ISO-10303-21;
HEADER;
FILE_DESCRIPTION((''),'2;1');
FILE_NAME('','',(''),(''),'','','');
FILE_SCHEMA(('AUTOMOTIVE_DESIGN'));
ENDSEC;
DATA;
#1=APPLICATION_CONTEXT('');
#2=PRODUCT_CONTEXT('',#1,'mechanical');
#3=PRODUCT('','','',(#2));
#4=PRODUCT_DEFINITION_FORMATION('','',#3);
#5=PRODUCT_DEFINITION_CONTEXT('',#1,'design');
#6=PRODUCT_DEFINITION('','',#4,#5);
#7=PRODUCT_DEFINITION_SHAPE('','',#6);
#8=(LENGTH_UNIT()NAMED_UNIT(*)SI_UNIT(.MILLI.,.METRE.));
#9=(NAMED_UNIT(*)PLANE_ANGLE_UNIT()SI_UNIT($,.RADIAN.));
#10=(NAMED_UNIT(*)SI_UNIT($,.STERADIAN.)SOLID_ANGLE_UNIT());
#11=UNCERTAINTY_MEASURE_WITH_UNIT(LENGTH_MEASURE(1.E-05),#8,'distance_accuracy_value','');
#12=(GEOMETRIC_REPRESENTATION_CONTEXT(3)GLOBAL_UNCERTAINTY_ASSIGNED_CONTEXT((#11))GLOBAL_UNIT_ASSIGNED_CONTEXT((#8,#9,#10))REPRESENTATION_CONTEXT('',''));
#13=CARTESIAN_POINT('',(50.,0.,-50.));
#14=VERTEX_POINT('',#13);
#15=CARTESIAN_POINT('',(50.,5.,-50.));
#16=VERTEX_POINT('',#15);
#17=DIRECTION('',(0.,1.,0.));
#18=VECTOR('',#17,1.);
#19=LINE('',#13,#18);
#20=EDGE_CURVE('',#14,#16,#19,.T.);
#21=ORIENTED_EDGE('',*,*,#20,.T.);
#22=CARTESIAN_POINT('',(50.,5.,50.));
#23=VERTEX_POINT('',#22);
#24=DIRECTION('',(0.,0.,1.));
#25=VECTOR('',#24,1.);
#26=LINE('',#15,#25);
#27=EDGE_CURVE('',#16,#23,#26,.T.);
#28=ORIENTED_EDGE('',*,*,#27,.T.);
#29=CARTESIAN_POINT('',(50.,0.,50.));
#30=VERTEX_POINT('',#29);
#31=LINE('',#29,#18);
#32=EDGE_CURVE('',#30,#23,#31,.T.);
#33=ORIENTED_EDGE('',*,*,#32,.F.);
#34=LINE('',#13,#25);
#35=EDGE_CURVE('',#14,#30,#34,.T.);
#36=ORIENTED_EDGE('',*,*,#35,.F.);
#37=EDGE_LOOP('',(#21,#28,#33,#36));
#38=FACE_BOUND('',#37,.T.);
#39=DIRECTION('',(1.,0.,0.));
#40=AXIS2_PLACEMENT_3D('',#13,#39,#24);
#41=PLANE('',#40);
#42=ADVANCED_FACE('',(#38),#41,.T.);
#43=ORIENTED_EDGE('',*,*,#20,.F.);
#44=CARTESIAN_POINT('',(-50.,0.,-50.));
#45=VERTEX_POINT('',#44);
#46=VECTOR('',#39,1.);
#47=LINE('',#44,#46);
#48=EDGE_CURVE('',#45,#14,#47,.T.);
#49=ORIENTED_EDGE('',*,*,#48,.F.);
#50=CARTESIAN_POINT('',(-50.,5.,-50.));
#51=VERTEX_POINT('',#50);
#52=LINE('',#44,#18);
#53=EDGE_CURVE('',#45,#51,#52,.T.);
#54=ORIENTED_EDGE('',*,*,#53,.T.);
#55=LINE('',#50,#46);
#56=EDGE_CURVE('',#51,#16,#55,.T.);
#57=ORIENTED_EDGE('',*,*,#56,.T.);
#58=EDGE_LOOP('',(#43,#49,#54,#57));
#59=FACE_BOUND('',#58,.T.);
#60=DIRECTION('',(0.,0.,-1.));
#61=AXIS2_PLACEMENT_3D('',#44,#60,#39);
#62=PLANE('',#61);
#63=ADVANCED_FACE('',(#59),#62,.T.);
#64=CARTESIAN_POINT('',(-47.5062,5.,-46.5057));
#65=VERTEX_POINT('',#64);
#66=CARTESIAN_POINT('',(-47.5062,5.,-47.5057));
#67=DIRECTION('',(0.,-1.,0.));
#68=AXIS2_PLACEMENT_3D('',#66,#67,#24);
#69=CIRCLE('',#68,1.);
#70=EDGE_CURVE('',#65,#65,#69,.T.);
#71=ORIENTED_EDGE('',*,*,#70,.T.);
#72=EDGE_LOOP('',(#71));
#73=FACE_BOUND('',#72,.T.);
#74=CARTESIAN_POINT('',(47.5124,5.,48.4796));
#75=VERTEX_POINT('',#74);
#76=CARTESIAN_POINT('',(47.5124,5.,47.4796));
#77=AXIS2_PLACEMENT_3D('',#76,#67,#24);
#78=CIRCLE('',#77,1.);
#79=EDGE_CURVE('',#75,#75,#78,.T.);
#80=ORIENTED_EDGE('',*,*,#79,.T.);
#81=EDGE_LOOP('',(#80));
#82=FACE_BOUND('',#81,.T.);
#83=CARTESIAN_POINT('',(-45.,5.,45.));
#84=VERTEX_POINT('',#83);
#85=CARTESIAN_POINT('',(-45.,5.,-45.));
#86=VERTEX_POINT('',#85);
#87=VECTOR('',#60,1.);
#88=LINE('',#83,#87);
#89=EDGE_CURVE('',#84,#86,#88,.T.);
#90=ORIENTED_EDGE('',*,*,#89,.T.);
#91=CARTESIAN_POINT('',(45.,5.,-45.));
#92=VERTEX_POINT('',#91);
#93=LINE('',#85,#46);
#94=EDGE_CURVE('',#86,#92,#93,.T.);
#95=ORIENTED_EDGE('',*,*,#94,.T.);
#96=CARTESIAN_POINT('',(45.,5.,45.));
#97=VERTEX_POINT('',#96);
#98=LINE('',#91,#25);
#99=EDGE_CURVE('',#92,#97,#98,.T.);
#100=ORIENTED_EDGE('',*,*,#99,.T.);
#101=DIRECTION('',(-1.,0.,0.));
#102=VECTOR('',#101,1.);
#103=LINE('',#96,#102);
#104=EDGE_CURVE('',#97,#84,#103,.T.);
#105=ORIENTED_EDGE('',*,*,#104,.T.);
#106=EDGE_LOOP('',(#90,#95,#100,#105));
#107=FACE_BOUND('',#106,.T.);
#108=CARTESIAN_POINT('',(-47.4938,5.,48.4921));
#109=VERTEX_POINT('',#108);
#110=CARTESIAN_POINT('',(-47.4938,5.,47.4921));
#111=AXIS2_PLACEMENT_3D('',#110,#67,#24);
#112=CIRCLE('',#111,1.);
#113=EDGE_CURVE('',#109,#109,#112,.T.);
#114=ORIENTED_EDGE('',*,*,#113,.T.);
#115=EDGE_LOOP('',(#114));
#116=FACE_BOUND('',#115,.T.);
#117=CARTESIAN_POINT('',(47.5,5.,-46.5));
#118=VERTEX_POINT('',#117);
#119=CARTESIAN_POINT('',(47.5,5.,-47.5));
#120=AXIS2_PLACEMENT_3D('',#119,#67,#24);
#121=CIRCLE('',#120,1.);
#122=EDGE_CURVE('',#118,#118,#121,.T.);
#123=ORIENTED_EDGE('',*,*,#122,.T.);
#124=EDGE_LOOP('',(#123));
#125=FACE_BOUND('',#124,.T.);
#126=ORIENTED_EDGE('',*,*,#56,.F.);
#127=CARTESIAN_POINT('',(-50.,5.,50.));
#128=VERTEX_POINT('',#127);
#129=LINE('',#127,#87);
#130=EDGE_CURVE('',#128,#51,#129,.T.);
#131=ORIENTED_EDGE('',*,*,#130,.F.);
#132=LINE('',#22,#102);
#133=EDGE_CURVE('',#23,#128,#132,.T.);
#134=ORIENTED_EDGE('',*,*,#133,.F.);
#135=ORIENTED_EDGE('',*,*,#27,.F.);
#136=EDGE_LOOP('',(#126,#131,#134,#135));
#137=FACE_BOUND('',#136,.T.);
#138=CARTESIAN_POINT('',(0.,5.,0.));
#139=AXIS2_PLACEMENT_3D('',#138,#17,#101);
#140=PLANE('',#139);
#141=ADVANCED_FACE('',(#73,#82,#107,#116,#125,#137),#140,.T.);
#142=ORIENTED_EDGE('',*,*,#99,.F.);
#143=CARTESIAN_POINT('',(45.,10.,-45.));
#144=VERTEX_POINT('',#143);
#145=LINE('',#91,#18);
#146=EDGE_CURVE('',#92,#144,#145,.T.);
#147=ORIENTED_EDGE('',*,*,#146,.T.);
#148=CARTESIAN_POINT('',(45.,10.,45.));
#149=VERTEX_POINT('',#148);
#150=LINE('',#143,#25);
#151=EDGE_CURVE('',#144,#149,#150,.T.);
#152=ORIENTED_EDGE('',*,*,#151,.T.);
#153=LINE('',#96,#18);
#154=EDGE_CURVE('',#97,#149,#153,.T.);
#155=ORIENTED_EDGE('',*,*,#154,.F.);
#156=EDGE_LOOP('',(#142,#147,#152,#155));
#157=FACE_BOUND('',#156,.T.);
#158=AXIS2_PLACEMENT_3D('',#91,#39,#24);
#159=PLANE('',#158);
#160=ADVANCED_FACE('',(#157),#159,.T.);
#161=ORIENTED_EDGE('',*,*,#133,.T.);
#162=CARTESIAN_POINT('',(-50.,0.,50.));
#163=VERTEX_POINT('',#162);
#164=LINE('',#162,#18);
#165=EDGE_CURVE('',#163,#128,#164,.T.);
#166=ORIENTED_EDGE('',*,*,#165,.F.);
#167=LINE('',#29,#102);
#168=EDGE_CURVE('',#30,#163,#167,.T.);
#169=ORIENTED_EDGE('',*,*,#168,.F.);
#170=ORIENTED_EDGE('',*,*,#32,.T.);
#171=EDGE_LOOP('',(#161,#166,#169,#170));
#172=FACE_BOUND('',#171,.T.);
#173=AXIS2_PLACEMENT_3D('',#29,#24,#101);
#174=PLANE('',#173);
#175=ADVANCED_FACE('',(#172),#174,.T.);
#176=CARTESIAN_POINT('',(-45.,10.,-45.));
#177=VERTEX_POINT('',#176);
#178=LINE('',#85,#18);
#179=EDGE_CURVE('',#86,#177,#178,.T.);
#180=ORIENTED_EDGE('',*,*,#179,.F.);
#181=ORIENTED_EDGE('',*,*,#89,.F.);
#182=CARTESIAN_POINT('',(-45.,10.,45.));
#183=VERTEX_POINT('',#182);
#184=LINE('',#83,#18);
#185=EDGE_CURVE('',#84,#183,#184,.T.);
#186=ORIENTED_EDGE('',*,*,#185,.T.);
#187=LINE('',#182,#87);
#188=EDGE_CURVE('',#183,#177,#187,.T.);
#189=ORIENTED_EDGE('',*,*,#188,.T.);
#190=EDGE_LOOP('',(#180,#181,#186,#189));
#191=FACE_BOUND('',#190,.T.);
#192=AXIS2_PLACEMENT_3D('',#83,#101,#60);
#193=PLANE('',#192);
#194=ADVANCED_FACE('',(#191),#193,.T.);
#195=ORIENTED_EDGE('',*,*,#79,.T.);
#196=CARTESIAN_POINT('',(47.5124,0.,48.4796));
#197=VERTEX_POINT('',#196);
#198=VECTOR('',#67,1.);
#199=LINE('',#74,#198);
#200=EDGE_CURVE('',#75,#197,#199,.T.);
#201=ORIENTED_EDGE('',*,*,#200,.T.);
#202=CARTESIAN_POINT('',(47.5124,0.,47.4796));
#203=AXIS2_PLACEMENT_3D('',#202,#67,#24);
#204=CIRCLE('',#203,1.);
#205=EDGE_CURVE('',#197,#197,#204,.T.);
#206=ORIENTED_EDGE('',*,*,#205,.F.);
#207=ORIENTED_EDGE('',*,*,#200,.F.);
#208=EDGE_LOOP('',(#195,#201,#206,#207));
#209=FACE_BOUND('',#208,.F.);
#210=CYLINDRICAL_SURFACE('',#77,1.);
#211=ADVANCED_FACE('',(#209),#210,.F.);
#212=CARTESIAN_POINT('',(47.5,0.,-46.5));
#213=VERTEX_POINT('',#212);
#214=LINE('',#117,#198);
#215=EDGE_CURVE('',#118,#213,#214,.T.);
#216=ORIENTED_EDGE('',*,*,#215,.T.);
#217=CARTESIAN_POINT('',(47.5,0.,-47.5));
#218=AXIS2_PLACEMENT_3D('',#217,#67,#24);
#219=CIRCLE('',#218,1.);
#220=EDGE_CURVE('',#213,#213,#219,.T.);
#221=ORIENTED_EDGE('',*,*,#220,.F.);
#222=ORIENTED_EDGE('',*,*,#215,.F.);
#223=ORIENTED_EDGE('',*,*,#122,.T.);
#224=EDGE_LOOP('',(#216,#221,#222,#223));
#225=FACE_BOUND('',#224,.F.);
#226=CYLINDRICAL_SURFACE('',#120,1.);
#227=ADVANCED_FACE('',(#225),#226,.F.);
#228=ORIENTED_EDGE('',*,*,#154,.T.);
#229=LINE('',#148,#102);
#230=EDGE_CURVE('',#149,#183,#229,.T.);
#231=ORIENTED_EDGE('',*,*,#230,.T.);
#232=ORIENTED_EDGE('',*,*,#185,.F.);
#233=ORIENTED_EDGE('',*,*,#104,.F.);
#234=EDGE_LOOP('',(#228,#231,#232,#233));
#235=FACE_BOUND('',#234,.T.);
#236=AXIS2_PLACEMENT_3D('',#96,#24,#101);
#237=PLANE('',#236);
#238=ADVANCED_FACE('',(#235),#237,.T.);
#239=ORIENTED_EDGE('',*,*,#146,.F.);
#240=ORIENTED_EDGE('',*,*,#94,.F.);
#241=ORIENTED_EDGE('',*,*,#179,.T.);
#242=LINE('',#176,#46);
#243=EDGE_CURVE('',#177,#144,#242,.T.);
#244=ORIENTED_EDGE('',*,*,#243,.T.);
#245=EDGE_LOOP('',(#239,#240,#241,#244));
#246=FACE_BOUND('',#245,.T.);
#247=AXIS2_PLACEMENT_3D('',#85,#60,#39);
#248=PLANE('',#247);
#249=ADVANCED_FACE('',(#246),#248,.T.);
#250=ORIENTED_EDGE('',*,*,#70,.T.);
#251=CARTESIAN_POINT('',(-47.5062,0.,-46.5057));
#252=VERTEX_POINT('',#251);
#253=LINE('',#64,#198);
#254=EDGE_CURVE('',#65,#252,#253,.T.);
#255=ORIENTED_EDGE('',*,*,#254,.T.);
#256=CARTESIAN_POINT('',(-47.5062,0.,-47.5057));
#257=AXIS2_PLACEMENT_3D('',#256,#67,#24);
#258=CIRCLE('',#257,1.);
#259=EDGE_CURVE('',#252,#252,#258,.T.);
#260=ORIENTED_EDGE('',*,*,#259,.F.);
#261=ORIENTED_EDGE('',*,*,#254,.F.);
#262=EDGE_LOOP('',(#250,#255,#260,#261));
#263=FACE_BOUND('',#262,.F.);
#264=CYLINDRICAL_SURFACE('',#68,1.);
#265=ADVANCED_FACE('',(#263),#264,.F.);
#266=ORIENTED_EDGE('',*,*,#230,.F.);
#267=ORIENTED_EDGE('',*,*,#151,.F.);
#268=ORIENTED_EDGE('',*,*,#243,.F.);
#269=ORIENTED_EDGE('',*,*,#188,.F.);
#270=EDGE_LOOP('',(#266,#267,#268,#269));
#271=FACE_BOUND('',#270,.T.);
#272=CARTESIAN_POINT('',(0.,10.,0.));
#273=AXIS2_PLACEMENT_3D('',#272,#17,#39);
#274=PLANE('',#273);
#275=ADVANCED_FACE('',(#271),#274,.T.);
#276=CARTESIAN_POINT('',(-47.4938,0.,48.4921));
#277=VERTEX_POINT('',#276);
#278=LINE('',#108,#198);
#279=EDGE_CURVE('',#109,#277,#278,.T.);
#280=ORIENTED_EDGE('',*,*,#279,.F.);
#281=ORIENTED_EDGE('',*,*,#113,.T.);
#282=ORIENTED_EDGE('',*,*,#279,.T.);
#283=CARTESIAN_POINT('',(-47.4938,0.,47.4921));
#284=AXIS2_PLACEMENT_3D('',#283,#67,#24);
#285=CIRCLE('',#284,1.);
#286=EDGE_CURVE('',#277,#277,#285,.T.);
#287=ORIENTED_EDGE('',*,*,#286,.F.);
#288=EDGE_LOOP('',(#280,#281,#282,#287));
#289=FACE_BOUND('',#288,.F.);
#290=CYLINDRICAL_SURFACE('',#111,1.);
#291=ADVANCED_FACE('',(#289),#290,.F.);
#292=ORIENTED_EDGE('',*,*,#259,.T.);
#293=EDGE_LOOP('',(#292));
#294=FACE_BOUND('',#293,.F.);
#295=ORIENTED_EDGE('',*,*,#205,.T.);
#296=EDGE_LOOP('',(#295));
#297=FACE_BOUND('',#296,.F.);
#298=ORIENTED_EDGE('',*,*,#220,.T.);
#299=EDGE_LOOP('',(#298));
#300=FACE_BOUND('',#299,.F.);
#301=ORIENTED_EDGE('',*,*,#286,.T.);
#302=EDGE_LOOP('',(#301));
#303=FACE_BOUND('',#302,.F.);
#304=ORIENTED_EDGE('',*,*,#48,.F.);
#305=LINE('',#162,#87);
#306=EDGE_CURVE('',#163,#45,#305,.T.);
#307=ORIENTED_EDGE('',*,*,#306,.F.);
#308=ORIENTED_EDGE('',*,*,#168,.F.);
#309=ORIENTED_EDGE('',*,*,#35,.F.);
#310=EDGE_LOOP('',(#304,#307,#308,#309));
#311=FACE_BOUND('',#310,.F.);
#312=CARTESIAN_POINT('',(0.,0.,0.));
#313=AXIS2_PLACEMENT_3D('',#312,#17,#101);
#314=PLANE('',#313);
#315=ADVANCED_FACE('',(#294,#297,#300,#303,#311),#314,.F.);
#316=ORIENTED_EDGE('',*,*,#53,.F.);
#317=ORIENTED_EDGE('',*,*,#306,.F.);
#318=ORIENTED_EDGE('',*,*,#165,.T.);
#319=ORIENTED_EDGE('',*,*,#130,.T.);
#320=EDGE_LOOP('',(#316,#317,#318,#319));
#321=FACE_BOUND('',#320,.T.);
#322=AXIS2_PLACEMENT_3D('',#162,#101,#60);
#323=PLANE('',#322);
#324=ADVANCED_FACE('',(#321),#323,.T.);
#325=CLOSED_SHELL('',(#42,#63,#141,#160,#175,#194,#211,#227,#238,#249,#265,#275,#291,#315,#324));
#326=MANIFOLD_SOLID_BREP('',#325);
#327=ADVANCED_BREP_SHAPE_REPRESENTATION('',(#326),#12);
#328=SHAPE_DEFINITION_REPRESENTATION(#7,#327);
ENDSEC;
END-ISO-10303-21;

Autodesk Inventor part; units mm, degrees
ref_plane "YZ Plane" through (0, 0, 0) normal (1, 0, 0) x (0, 1, 0)
ref_plane "XZ Plane" through (0, 0, 0) normal (0, 1, 0) x (-1, 0, 0)
ref_plane "XY Plane" through (0, 0, 0) normal (0, 0, 1) x (1, 0, 0)
sketch "Sketch1" plane through (0, 0, 0) normal (0, 1, 0) x (-1, 0, 0)
  point P0 (0, 0)
sketch "Sketch2" plane through (0, 0, 0) normal (0, 1, 0) x (-1, 0, 0)
  line L0 (50, -50) -> (-50, -50)
  line L1 (-50, -50) -> (-50, 50)
  line L2 (-50, 50) -> (50, 50)
  line L3 (50, 50) -> (50, -50)
  point P0 (0, 0)
  point P1 (0, 0)
  dimension "d0" = 100
  dimension "d1" = 100
  dimension "d3" = 50
extrude "Extrusion1" add sketch "Sketch2" along normal blind 5
sketch "Sketch3" plane through (0, 5, 0) normal (0, 1, 0) x (1, 0, 0)
  circle A0 centre (-47.5, 47.5) radius 1
  line L0 (-50, 50) -> (-50, -50) projected
  line L1 (50, 50) -> (-50, 50) projected
  line L2 (50, -50) -> (50, 50) projected
  circle A1 centre (47.5, 47.5) radius 1
  line L3 (-50, -50) -> (50, -50) projected
  circle A2 centre (-47.5, -47.5) radius 1
  circle A3 centre (47.5, -47.5) radius 1
  point P0 (0, 0)
  dimension "d6" = 2.5
  dimension "d7" = 2.5
  dimension "d8" = 2
  dimension "d9" = 2.5
  dimension "d10" = 2.5
  dimension "d11" = 2.5
  dimension "d12" = 2.5
  dimension "d13" = 2.5
  dimension "d14" = 2.5
hole "Hole1" at (-47.5062, 5, -47.5057) direction (0, -1, 0) diameter 2 end through all
hole "Hole2" at (-47.4938, 5, 47.4921) direction (0, -1, 0) diameter 2 end through all
hole "Hole3" at (47.5124, 5, 47.4796) direction (0, -1, 0) diameter 2 end through all
hole "Hole4" at (47.5, 5, -47.5) direction (0, -1, 0) diameter 2 end through all
sketch "Sketch4" plane through (0, 5, 0) normal (0, 1, 0) x (1, 0, 0)
  line L0 (-45, 45) -> (45, 45)
  line L1 (45, 45) -> (45, -45)
  line L2 (45, -45) -> (-45, -45)
  line L3 (-45, -45) -> (-45, 45)
  line L4 (50, 50) -> (50, -50) projected
  line L5 (50, 50) -> (-50, 50) projected
  line L6 (-50, 50) -> (-50, -50) projected
  line L7 (-50, -50) -> (50, -50) projected
  point P0 (0, 0)
  dimension "d49" = 5
  dimension "d50" = 5
  dimension "d51" = 5
  dimension "d52" = 5
extrude "Extrusion2" add sketch "Sketch4" along normal blind 5 contours L0 L1 L2 L3
properties part number "cubesat_top"
